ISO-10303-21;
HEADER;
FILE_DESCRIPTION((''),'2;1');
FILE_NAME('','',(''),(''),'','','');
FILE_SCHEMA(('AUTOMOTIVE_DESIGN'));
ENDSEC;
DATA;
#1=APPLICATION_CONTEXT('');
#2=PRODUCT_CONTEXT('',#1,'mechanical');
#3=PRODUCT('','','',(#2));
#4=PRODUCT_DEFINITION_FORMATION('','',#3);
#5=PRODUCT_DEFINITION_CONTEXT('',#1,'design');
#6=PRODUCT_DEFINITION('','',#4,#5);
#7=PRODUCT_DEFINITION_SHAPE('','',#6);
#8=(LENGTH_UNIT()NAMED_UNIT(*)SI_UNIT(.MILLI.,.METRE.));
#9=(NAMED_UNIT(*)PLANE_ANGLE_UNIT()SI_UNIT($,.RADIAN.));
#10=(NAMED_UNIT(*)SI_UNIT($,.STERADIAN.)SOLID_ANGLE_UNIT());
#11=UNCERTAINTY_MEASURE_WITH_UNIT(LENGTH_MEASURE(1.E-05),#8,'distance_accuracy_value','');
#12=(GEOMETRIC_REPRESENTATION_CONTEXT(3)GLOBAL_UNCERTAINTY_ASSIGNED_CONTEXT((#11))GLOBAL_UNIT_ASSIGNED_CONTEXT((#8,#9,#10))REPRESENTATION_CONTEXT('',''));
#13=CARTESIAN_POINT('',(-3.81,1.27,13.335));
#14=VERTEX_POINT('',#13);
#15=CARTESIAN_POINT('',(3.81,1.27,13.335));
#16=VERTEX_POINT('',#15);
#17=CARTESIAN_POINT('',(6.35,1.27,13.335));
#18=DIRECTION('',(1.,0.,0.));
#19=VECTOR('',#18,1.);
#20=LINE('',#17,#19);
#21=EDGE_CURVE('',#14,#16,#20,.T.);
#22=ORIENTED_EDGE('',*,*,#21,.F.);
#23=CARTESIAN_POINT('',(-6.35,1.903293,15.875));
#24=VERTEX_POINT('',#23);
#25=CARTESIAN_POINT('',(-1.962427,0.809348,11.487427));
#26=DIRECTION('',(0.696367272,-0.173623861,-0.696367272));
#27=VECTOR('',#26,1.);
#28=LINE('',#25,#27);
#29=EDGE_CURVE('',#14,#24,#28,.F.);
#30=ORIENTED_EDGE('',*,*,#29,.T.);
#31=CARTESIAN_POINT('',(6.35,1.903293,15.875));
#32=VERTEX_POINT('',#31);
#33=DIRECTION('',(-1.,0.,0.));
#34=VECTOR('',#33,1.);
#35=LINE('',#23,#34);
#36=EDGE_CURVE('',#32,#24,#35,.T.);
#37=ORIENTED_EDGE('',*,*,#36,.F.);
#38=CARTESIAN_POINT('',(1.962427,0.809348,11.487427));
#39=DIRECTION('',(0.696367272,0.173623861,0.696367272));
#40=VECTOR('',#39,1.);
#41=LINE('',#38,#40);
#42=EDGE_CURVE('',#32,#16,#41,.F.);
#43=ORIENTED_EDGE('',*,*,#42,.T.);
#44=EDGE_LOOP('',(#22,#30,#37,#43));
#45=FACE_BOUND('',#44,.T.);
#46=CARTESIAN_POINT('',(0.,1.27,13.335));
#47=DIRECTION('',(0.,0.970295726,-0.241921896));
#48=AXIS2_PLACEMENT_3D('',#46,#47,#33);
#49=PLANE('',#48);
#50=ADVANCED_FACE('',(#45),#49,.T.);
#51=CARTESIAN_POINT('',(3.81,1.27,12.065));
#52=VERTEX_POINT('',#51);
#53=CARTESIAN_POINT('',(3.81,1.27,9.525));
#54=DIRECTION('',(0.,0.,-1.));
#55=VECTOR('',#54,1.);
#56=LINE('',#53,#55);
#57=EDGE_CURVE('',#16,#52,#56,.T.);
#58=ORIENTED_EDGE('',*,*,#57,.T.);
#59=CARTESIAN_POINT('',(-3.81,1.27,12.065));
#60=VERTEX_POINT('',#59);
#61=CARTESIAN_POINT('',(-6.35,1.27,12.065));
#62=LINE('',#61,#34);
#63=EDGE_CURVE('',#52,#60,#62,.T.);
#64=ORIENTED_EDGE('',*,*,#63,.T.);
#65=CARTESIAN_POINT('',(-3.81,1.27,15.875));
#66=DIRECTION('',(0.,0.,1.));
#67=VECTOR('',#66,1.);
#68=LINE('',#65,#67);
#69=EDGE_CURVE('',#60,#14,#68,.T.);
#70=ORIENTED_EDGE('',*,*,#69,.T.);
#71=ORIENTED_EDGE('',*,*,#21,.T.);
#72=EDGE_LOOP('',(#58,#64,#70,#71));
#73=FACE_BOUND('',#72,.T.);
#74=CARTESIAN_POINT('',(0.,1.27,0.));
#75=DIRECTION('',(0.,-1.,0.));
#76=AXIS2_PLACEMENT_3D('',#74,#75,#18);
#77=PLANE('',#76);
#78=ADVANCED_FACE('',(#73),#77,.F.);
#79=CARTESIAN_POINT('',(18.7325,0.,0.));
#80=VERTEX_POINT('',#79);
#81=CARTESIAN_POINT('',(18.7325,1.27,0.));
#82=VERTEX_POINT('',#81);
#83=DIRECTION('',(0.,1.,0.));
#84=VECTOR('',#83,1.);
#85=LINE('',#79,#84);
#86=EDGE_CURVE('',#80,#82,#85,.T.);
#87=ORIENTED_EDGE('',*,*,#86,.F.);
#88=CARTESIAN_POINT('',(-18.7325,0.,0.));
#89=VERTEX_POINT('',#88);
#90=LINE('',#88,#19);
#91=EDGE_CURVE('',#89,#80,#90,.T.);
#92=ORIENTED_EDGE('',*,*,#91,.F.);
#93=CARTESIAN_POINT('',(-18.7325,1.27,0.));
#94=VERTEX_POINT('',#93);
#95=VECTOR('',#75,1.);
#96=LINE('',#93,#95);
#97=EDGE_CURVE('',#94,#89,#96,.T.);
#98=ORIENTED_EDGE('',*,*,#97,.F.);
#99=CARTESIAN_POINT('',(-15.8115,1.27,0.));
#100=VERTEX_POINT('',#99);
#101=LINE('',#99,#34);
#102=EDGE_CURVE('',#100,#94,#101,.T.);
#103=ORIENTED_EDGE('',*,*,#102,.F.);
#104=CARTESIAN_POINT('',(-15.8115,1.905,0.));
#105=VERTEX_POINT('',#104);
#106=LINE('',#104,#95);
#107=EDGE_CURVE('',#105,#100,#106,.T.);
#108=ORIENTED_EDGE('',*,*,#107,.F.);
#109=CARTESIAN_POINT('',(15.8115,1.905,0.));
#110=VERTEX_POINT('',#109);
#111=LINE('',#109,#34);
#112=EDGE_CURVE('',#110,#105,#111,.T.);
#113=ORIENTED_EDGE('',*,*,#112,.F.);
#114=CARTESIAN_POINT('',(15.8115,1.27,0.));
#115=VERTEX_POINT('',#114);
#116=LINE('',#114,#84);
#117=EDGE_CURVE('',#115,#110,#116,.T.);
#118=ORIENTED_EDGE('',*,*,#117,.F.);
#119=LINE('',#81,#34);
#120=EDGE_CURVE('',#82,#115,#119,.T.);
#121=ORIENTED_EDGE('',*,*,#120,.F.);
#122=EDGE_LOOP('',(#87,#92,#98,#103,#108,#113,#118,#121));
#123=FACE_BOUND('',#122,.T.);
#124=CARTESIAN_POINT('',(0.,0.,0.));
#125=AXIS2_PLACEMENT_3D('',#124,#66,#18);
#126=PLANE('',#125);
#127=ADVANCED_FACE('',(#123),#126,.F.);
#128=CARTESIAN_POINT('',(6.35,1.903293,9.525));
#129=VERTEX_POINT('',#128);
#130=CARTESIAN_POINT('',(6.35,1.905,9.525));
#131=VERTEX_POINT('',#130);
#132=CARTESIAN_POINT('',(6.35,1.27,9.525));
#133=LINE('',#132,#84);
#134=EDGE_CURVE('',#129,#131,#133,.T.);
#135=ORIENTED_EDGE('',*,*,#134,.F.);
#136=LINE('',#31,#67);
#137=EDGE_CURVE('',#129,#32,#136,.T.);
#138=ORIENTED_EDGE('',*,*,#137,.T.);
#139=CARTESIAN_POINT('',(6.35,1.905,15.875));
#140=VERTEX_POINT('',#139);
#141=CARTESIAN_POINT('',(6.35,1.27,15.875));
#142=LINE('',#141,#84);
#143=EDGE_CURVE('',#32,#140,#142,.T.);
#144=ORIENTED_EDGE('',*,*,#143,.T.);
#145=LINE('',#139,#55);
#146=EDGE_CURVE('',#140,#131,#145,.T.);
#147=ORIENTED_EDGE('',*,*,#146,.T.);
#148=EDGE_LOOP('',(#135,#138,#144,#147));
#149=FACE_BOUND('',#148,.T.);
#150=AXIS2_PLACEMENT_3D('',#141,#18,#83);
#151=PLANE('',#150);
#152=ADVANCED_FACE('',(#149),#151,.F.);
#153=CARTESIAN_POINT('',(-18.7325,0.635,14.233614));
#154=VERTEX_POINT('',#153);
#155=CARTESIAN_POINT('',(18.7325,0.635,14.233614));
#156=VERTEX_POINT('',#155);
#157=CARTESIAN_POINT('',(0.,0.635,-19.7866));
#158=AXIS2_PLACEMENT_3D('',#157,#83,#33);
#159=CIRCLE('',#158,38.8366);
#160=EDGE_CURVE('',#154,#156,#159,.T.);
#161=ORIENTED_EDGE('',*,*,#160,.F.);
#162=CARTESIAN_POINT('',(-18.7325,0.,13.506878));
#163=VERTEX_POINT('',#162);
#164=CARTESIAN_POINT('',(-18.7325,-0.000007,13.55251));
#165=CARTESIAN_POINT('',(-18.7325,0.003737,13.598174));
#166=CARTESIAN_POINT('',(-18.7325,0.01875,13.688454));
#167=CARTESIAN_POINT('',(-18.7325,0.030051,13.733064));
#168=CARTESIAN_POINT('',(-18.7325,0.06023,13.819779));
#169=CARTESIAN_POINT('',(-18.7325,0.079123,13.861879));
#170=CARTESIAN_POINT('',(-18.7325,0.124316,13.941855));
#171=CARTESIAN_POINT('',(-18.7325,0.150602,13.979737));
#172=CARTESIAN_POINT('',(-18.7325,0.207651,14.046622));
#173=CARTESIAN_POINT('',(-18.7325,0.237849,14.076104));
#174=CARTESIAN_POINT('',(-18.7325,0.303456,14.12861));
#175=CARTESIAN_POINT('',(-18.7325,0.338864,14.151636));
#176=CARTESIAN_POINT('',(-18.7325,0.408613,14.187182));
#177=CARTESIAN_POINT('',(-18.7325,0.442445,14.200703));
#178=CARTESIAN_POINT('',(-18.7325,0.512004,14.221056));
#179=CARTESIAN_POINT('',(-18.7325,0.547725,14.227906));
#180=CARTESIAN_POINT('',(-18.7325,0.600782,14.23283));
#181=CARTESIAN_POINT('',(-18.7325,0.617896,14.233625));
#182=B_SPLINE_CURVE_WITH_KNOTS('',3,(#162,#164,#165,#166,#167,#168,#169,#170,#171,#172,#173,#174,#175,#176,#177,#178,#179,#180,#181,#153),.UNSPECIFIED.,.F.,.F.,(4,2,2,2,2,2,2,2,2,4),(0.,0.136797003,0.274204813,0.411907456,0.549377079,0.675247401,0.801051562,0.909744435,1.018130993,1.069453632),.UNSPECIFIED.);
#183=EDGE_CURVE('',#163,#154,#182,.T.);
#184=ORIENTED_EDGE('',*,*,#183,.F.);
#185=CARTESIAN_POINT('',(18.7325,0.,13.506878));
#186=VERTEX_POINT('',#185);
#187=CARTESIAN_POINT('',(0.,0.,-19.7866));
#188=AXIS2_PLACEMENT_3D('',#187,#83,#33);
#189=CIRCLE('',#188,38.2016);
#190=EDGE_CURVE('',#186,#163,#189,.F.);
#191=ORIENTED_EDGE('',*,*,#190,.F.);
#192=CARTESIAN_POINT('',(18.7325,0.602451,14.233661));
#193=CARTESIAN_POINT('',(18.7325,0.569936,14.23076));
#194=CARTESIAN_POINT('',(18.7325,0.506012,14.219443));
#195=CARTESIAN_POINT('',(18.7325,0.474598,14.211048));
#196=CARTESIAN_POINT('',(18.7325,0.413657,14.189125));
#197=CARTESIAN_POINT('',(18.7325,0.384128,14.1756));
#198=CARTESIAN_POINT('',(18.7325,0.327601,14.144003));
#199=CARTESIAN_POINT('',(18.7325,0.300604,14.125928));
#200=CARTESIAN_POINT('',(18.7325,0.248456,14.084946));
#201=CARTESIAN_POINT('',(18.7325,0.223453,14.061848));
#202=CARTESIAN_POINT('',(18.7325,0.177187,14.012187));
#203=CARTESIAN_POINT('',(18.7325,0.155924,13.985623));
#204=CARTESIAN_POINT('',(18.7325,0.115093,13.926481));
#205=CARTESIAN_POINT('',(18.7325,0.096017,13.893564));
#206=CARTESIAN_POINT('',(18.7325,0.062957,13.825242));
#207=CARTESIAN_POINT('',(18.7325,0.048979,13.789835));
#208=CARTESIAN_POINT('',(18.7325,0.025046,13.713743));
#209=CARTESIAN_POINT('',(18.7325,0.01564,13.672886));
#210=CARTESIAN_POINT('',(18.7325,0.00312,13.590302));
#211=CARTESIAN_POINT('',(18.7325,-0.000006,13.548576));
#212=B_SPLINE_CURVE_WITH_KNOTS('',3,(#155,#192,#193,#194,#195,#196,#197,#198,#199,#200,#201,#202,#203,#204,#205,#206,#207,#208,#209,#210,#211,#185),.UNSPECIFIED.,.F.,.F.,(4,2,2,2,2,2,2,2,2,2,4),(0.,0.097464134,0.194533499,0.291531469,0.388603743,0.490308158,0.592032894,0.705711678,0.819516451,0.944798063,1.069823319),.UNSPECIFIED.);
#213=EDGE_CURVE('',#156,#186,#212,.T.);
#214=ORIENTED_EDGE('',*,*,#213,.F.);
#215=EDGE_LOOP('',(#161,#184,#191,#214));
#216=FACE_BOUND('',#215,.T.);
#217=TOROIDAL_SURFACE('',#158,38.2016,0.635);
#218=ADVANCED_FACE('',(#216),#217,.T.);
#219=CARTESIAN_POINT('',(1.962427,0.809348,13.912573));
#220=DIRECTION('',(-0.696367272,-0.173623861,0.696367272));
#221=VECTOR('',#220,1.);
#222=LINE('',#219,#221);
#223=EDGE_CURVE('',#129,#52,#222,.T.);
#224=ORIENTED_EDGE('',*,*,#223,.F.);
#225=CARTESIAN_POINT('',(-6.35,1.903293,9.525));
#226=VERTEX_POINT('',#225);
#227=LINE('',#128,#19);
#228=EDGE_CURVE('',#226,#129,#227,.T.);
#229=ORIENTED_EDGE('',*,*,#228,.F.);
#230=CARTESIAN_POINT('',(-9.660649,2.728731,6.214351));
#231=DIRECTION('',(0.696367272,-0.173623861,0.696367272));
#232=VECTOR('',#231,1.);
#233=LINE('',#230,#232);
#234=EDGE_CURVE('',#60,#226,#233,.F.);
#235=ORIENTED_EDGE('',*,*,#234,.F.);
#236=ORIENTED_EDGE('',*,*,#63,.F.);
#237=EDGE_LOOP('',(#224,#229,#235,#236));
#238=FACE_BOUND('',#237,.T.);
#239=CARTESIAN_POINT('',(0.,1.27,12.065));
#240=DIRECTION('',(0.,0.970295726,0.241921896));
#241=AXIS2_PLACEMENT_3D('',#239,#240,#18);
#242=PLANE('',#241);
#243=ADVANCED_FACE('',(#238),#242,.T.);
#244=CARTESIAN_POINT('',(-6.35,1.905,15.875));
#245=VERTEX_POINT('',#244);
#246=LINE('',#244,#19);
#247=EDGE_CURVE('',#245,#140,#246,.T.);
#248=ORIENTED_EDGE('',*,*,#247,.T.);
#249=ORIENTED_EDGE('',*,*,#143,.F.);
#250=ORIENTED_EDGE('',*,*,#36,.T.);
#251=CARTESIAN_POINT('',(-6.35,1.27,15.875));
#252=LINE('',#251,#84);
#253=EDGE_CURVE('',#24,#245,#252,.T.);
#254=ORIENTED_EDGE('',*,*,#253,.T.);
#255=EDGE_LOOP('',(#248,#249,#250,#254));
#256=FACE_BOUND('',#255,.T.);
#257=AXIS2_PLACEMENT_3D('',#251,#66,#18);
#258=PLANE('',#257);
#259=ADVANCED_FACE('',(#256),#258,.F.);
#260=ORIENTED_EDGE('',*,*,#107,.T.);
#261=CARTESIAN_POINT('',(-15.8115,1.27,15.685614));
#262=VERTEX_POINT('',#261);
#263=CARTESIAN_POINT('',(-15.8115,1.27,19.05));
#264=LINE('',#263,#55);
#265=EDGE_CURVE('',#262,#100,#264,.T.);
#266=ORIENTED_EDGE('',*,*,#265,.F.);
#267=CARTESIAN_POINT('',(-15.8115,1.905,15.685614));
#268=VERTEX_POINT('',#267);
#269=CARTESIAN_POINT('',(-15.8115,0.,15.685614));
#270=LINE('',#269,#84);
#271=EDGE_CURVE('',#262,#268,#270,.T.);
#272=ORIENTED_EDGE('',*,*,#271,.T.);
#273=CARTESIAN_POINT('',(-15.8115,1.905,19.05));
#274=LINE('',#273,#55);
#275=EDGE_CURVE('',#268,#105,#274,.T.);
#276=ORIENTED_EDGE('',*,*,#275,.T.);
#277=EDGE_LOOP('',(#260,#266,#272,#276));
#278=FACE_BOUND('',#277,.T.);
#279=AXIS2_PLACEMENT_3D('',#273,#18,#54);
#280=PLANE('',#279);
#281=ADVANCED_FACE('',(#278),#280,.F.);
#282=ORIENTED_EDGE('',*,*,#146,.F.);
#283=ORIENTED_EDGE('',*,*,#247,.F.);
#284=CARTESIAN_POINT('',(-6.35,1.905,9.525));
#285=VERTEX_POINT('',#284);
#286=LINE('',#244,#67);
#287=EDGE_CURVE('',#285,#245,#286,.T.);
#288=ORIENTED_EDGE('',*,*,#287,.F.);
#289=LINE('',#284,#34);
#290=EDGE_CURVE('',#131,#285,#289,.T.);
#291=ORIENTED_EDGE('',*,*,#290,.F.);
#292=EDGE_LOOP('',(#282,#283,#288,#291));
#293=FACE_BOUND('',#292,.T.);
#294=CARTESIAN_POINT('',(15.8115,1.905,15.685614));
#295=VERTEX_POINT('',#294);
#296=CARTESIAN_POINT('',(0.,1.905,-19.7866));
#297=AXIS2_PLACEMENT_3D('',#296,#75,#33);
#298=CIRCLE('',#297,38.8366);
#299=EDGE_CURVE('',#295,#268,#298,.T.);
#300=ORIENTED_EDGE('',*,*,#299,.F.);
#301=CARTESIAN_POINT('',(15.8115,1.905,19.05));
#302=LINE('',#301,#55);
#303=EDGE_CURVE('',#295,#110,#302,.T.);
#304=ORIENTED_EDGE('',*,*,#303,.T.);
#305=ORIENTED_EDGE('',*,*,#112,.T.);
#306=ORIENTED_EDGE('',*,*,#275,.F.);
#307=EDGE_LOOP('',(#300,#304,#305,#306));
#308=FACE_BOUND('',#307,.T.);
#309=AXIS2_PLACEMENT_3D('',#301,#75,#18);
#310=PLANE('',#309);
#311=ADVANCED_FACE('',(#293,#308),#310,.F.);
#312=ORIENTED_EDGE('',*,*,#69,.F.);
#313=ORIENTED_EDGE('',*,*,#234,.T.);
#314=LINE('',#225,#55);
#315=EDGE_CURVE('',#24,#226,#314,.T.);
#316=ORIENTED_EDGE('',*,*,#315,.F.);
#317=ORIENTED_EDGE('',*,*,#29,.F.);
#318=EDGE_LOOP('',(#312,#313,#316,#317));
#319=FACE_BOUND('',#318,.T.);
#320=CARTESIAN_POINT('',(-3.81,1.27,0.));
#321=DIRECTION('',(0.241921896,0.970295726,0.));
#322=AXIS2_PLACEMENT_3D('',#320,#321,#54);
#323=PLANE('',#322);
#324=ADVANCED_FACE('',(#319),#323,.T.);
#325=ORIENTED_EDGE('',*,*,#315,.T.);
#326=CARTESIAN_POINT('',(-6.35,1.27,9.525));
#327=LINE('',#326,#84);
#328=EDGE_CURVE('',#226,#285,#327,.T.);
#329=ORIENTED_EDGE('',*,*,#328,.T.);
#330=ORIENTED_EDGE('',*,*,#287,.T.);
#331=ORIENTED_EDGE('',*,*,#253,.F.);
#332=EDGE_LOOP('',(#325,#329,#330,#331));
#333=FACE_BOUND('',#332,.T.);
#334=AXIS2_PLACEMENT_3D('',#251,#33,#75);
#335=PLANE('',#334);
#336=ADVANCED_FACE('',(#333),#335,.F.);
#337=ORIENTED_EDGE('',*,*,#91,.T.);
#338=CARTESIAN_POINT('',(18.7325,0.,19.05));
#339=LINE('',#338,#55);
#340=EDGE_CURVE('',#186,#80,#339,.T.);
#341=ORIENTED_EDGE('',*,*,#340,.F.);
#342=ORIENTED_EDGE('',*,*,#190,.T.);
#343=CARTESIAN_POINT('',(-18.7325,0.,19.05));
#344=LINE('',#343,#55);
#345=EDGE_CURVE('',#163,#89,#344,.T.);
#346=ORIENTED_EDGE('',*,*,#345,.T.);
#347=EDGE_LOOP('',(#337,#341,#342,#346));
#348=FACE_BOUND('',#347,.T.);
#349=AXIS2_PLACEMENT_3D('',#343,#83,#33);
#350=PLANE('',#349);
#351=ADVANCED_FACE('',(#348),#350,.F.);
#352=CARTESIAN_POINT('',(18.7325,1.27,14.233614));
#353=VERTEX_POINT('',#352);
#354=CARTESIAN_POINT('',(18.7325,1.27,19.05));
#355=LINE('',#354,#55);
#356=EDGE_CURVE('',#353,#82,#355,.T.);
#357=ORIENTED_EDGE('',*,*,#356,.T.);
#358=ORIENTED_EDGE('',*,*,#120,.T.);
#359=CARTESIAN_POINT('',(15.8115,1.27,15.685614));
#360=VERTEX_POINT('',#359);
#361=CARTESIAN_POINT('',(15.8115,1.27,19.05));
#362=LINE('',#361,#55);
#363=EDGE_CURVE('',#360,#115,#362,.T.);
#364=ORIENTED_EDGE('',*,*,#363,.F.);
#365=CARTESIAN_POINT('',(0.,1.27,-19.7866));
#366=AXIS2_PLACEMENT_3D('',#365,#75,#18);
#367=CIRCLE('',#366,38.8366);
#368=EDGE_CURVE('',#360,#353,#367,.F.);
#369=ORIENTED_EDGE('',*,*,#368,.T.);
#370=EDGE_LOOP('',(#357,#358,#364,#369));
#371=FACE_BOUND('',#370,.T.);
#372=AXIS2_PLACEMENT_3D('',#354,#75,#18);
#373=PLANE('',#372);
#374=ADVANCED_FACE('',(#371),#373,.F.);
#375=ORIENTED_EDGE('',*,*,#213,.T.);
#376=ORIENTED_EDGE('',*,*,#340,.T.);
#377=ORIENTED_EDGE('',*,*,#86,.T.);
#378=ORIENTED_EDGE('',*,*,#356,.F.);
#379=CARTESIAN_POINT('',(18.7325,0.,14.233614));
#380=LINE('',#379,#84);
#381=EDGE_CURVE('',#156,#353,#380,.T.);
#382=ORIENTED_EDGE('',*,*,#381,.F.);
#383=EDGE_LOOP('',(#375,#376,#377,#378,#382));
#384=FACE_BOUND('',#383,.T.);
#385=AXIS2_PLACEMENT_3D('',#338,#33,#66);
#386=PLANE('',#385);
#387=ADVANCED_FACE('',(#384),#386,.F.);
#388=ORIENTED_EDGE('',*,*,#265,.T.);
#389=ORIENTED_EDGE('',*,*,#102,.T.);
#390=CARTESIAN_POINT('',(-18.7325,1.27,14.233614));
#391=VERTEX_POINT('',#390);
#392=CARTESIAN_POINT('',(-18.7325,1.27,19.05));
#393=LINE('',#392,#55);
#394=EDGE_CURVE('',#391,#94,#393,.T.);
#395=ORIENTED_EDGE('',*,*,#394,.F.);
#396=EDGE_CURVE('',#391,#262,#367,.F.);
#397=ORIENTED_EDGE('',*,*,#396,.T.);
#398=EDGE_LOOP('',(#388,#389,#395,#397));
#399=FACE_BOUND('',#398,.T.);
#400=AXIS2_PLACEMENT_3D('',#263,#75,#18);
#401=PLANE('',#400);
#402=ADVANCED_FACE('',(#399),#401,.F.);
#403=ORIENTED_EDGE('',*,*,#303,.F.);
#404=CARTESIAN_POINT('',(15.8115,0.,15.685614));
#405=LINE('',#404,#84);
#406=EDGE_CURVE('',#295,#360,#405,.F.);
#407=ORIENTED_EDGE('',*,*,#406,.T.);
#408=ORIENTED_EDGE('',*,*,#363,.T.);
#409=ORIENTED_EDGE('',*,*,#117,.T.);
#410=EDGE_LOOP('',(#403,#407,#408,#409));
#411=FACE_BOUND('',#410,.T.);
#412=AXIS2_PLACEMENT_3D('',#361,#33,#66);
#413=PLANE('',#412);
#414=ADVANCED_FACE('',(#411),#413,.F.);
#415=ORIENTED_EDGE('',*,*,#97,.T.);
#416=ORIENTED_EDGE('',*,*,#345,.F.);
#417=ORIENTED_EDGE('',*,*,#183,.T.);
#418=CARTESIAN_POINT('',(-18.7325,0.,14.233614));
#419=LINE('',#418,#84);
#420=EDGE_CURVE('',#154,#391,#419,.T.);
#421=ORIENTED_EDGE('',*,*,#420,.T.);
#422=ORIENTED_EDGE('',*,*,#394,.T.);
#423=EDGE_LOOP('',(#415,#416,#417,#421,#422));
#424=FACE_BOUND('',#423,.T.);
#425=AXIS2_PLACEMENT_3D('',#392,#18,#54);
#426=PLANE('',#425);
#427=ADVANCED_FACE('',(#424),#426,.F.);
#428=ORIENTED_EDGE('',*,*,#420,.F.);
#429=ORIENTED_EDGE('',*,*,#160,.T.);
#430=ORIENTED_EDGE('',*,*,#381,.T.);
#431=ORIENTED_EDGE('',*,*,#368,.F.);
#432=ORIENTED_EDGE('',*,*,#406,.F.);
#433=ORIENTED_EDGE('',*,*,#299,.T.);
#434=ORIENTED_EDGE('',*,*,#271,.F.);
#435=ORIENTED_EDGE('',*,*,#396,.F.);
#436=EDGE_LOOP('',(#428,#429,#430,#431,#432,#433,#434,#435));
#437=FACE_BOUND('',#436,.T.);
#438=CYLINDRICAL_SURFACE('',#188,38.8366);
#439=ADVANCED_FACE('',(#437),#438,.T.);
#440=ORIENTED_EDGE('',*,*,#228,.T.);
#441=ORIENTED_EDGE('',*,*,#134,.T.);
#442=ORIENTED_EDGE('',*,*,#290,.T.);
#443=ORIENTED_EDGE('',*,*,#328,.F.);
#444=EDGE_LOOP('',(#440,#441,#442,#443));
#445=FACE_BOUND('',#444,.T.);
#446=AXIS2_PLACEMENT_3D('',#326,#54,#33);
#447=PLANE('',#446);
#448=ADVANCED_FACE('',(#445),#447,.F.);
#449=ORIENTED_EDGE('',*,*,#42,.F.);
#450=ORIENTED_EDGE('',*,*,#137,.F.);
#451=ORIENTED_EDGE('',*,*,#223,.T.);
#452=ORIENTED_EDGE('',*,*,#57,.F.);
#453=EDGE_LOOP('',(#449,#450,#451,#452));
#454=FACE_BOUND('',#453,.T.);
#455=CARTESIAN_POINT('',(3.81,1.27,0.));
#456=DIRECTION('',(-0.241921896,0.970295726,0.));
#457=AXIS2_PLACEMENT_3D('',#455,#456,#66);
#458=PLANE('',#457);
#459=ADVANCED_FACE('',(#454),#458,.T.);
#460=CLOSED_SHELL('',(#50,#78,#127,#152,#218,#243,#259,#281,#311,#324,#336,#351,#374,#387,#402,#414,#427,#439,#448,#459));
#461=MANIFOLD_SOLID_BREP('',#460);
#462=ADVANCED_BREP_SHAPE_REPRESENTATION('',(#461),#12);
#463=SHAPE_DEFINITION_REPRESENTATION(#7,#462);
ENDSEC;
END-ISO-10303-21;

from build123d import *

# Parameters (mm, degrees)
BOSS_EXTRUDE1_DEPTH = 19.05
SKETCH2_W           = 12.7
SKETCH2_H           = 6.35
CUT_EXTRUDE1_DEPTH  = 0.635
CHAMFER1_SIZE       = 2.54
CHAMFER1_SIZE2      = 0.633293127
CUT_EXTRUDE2_DEPTH  = 27.785034651
FILLET1_R           = 0.635


with BuildPart() as part:
    # Sketch1 → Boss-Extrude1 (new body)
    with BuildSketch(Plane.XY):
        Polygon((-18.7325, 0), (18.7325, 0), (18.7325, 1.27), (15.8115, 1.27), (15.8115, 1.905), (-15.8115, 1.905), (-15.8115, 1.27), (-18.7325, 1.27), align=None)
    extrude(amount=BOSS_EXTRUDE1_DEPTH)

    # Sketch2 → Cut-Extrude1 (cut)
    with BuildSketch(Plane(origin=(0, 1.905, 0), x_dir=(1, 0, 0), z_dir=(0, 1, 0))):
        with Locations((0, -12.7)):
            Rectangle(SKETCH2_W, SKETCH2_H)
    extrude(amount=-CUT_EXTRUDE1_DEPTH, mode=Mode.SUBTRACT)

    # Chamfer1
    chamfer1_edges = [part.edges().sort_by_distance(p)[0] for p in [
        (6.35, 1.27, 12.7),
        (0, 1.27, 15.875),
        (-6.35, 1.27, 12.7),
        (0, 1.27, 9.525),
    ]]
    chamfer1_side = [part.faces().sort_by_distance(p)[0] for p in [
        (0, 1.27, 12.7),
    ]]
    chamfer(chamfer1_edges, length=CHAMFER1_SIZE, length2=CHAMFER1_SIZE2, reference=chamfer1_side[0])

    # Sketch3 → Cut-Extrude2 (cut, through all)
    with BuildSketch(Plane(origin=(0, 1.905, 0), x_dir=(1, 0, 0), z_dir=(0, 1, 0))):
        with BuildLine():
            Line((-18.7325, -21.59), (18.7325, -21.59))
            Line((18.7325, -21.59), (18.7325, -14.233613746))
            ThreePointArc((18.7325, -14.233613746), (0, -19.05), (-18.7325, -14.233613746))
            Line((-18.7325, -14.233613746), (-18.7325, -21.59))
        make_face()
    extrude(amount=-CUT_EXTRUDE2_DEPTH, mode=Mode.SUBTRACT)

    # Fillet1
    fillet1_edges = [part.edges().sort_by_distance(p)[0] for p in [
        (0, 0, 19.05),
    ]]
    fillet(fillet1_edges, radius=FILLET1_R)


solid = part.part
